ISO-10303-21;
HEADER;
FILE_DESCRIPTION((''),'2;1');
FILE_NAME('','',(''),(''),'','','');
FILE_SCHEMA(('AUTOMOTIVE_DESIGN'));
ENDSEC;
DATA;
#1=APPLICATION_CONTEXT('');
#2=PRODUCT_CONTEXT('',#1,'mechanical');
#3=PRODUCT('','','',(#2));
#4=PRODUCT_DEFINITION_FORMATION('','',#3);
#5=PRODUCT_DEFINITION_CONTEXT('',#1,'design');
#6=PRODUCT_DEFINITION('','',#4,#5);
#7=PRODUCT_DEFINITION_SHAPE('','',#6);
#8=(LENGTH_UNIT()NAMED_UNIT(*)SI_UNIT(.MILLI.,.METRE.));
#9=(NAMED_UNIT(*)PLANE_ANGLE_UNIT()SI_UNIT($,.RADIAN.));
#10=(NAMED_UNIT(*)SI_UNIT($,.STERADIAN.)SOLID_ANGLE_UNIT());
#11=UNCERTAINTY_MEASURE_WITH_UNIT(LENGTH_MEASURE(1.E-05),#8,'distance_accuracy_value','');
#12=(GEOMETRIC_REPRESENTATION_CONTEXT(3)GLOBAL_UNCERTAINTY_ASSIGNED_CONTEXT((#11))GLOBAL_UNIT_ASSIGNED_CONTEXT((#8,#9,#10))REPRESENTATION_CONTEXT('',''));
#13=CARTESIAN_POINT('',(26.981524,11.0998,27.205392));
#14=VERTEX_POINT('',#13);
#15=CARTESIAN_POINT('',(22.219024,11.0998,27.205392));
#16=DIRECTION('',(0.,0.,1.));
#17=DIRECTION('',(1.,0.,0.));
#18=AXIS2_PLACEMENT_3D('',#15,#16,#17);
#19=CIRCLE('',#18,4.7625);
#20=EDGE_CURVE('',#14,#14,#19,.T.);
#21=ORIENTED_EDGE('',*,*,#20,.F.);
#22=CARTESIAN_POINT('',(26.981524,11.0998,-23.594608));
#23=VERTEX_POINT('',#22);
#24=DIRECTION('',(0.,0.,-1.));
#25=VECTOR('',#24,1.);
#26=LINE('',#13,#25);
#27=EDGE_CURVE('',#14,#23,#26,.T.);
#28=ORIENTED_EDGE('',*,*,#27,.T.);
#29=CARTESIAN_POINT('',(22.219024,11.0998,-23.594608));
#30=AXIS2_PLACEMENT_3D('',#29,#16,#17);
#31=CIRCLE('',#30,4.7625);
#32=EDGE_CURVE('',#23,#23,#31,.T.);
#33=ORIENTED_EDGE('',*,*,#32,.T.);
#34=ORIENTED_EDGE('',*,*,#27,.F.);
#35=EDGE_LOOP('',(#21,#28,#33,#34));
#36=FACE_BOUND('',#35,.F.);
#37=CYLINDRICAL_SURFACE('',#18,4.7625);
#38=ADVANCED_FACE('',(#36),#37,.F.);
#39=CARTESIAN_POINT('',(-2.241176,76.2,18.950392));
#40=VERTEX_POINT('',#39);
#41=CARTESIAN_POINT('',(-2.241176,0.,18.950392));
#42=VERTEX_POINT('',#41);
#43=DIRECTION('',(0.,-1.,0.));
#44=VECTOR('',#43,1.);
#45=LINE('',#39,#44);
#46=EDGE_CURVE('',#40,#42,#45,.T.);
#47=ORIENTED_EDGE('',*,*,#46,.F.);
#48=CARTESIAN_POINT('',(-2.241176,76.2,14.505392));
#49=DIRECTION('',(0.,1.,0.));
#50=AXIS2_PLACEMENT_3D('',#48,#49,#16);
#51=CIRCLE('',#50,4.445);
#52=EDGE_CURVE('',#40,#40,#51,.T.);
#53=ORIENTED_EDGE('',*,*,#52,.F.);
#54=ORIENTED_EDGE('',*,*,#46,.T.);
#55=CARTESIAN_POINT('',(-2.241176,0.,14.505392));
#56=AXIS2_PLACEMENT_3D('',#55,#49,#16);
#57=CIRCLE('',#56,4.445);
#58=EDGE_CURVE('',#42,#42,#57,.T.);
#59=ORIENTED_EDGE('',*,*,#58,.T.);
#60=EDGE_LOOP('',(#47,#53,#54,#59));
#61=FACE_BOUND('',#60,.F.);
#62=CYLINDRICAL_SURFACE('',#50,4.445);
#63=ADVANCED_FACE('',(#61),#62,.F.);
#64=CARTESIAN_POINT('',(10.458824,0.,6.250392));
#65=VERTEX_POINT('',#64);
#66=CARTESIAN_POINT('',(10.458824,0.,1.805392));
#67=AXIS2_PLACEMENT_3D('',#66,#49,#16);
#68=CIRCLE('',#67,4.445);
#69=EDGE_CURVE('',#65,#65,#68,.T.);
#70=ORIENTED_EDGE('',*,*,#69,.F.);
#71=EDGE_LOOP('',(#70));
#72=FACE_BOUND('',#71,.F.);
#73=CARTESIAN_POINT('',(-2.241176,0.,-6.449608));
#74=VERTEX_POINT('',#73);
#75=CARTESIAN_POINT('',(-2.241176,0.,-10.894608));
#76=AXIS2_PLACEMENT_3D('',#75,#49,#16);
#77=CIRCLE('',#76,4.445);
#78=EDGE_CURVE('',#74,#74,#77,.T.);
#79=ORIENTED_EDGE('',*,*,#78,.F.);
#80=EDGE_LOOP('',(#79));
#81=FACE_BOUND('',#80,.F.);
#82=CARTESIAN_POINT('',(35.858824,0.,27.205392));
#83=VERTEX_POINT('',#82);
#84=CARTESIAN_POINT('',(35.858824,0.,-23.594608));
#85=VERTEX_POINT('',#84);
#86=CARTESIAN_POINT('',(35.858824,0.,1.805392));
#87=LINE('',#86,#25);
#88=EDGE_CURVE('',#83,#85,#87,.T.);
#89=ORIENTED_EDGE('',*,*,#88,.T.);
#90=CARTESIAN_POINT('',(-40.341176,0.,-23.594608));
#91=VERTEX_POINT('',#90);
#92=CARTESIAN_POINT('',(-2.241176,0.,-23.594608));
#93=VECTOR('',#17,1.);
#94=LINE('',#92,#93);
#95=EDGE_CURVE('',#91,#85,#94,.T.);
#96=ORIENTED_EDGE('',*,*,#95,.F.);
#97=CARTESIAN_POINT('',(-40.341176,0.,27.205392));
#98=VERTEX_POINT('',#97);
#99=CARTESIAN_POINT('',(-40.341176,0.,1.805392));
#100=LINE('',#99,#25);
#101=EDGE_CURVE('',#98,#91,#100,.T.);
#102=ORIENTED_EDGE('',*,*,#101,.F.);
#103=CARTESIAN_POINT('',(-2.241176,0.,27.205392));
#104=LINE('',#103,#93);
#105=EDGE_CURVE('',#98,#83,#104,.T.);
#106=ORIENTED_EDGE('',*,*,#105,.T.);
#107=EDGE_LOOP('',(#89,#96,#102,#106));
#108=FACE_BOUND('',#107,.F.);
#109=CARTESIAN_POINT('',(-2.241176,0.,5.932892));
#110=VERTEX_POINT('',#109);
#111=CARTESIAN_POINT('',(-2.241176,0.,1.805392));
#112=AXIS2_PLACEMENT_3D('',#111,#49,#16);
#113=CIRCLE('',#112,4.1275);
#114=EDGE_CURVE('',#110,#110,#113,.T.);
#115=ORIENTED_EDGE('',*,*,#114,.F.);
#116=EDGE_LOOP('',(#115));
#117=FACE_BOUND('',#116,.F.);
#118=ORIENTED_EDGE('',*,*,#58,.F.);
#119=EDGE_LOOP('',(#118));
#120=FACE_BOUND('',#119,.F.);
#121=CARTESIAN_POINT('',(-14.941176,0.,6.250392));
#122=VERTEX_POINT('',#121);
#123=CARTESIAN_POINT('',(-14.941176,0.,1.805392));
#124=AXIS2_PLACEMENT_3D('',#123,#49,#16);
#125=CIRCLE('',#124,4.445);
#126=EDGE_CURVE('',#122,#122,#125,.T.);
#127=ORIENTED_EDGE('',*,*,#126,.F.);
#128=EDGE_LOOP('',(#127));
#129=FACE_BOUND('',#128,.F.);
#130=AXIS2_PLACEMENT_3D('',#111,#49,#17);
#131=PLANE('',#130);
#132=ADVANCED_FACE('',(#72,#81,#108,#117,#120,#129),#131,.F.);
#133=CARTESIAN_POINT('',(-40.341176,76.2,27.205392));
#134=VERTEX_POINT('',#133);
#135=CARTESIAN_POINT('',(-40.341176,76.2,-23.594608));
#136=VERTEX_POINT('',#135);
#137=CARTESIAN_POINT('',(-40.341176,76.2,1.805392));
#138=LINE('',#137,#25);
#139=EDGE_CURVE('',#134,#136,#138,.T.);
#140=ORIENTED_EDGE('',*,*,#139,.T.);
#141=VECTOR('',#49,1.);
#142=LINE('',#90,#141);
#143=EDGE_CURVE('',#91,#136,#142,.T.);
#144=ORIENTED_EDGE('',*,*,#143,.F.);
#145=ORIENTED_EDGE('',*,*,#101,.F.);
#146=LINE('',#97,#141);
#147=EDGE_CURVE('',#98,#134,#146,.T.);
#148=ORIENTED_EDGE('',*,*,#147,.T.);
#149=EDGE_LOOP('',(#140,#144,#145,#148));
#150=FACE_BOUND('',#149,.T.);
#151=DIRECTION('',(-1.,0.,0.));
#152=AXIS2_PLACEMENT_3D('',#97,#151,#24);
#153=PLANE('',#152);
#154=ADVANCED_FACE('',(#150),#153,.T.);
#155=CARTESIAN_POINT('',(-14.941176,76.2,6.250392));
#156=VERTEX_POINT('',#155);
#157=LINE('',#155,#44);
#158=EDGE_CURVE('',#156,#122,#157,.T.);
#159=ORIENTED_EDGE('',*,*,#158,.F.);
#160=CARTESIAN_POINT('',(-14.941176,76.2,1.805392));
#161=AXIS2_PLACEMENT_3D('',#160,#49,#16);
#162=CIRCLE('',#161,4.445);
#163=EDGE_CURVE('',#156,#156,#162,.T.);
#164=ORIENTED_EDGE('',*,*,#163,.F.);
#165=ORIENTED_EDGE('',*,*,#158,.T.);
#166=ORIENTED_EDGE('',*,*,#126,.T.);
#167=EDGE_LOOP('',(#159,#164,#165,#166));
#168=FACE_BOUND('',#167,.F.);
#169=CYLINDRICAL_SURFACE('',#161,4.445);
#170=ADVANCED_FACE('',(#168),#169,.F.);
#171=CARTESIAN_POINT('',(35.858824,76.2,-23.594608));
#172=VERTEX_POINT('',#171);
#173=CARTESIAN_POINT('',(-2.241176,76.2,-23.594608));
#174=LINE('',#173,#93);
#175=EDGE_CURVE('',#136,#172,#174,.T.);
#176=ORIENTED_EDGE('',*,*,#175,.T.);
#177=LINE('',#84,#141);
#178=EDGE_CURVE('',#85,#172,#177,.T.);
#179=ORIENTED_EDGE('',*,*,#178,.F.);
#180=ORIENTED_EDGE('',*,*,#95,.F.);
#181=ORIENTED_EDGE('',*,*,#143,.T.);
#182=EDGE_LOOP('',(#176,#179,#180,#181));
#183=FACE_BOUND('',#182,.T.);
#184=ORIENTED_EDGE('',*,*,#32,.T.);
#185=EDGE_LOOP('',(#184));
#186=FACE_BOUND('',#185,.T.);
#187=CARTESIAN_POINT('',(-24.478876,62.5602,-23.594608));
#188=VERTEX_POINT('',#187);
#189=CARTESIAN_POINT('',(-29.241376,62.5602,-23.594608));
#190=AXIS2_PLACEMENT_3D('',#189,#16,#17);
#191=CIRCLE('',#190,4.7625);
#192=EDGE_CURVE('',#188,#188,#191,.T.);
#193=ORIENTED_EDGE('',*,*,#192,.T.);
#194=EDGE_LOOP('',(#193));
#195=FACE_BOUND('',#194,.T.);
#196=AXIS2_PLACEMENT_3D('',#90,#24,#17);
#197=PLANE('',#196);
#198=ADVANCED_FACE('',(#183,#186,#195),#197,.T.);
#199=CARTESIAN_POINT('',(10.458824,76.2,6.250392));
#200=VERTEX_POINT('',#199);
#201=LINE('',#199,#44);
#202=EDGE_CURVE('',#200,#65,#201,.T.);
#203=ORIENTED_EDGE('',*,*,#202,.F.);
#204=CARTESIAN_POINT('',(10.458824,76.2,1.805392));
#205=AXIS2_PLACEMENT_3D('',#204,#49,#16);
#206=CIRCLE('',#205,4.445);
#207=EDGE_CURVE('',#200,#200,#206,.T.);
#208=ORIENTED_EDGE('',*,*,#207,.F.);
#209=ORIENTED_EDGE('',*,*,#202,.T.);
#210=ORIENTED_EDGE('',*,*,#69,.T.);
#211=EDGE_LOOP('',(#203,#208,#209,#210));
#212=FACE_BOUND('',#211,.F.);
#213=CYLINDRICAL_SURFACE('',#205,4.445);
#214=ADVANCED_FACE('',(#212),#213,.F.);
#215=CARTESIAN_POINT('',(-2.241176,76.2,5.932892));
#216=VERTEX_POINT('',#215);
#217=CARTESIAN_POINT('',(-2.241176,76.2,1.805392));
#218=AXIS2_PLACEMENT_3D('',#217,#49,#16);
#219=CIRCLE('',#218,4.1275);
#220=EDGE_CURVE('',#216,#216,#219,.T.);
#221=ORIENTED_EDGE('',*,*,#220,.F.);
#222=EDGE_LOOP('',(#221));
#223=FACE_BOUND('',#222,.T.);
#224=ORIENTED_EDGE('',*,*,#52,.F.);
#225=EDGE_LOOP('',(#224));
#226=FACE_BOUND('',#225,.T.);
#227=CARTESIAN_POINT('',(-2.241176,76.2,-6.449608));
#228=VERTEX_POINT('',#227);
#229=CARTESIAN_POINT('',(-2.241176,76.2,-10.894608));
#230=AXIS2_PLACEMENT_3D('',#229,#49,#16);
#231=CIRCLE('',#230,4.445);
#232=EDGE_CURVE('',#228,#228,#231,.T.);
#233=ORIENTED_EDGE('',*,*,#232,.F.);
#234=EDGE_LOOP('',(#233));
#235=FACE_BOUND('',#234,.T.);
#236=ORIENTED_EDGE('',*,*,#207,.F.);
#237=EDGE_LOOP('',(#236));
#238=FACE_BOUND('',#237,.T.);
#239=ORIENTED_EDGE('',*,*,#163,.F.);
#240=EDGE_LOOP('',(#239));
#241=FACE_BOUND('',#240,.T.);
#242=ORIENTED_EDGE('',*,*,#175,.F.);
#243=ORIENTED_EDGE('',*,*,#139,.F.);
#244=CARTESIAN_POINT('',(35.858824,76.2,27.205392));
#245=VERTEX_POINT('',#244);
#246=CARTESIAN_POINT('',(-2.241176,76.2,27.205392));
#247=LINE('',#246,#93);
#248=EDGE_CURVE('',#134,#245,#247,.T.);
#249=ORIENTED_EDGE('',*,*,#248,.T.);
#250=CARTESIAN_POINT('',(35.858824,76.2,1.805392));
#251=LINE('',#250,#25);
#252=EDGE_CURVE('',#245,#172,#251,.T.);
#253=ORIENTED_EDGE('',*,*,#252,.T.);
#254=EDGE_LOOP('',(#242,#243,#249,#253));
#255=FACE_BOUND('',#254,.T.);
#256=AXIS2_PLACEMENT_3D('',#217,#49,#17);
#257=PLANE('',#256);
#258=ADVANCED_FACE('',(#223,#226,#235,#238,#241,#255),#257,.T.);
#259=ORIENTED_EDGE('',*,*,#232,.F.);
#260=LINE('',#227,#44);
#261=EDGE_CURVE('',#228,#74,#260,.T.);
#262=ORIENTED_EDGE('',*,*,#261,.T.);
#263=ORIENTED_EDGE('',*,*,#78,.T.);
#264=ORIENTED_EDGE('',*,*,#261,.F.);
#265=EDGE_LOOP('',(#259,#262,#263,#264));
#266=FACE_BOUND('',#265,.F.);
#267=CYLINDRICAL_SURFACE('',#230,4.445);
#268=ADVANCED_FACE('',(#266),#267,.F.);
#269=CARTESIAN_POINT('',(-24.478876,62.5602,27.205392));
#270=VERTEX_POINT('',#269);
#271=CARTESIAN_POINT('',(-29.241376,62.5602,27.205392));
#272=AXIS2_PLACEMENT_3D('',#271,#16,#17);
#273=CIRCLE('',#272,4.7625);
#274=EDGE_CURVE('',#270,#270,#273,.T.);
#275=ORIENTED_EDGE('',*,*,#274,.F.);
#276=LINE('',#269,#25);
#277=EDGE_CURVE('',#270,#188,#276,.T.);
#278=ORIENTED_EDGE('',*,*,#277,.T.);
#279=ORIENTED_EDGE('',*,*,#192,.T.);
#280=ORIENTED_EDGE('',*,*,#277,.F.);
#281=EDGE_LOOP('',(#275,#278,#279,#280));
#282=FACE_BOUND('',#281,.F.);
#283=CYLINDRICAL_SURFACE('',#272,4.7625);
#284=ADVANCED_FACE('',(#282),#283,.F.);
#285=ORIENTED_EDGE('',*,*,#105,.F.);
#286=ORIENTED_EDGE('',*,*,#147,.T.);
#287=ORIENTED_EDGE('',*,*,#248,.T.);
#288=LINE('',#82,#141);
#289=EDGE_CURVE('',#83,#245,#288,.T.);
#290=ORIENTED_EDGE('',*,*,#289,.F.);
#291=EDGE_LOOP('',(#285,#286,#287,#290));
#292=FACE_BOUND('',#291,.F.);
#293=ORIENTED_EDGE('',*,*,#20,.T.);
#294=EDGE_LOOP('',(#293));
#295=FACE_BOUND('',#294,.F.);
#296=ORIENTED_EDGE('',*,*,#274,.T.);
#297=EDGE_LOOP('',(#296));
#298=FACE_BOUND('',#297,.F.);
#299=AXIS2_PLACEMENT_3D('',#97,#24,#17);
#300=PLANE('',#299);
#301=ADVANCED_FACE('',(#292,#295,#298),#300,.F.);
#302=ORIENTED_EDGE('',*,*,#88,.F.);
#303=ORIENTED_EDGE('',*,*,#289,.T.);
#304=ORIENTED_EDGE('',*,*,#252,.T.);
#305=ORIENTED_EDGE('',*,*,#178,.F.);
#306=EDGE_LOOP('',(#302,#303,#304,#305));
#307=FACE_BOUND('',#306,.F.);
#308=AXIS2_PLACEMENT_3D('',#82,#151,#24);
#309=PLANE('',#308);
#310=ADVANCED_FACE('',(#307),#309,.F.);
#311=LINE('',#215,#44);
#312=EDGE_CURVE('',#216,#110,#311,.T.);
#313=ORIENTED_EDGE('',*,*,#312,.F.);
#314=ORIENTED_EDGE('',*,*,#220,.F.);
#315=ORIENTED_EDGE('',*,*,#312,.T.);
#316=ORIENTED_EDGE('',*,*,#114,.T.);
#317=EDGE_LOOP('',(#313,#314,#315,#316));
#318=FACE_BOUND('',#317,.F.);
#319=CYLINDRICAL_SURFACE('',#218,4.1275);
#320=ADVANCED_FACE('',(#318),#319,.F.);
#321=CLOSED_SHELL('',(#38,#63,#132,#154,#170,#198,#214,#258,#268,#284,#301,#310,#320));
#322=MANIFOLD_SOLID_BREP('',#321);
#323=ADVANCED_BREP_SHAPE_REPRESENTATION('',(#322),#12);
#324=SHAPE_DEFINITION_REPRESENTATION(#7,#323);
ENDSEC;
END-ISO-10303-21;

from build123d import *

# Parameters (mm, degrees)
SKETCH3_W           = 76.2
SKETCH3_H           = 50.8
BOSS_EXTRUDE1_DEPTH = 76.2
SKETCH5_R           = 4.1275
CUT_EXTRUDE1_DEPTH  = 76.2
SKETCH6_R           = 4.445
CUT_EXTRUDE2_DEPTH  = 76.2
SKETCH8_R           = 4.445
CUT_EXTRUDE4_DEPTH  = 76.2
SKETCH9_R           = 4.445
CUT_EXTRUDE5_DEPTH  = 76.2
SKETCH10_R          = 4.445
CUT_EXTRUDE6_DEPTH  = 76.2
SKETCH12_R          = 4.7625
CUT_EXTRUDE7_DEPTH  = 76.2
SKETCH13_R          = 4.7625
CUT_EXTRUDE8_DEPTH  = 76.2


with BuildPart() as part:
    # Sketch3 → Boss-Extrude1 (new body)
    with BuildSketch(Plane(origin=(0, 0, 0), x_dir=(1, 0, 0), z_dir=(0, 1, 0))):
        with Locations((-2.241176471, -1.805392157)):
            Rectangle(SKETCH3_W, SKETCH3_H)
    extrude(amount=BOSS_EXTRUDE1_DEPTH)

    # Sketch5 → Cut-Extrude1 (cut)
    with BuildSketch(Plane(origin=(0, 76.2, 0), x_dir=(1, 0, 0), z_dir=(0, 1, 0))):
        with Locations(Location((-2.241176471, -1.805392157, 0), (0, 0, 270))):
            Circle(SKETCH5_R)
    extrude(amount=-CUT_EXTRUDE1_DEPTH, mode=Mode.SUBTRACT)

    # Sketch6 → Cut-Extrude2 (cut)
    with BuildSketch(Plane(origin=(0, 76.2, 0), x_dir=(1, 0, 0), z_dir=(0, 1, 0))):
        with Locations(Location((-14.941176471, -1.805392157, 0), (0, 0, 270))):
            Circle(SKETCH6_R)
    extrude(amount=-CUT_EXTRUDE2_DEPTH, mode=Mode.SUBTRACT)

    # Sketch8 → Cut-Extrude4 (cut)
    with BuildSketch(Plane(origin=(0, 76.2, 0), x_dir=(1, 0, 0), z_dir=(0, 1, 0))):
        with Locations(Location((10.458823529, -1.805392157, 0), (0, 0, 270))):
            Circle(SKETCH8_R)
    extrude(amount=-CUT_EXTRUDE4_DEPTH, mode=Mode.SUBTRACT)

    # Sketch9 → Cut-Extrude5 (cut)
    with BuildSketch(Plane(origin=(0, 76.2, 0), x_dir=(1, 0, 0), z_dir=(0, 1, 0))):
        with Locations(Location((-2.241176471, -14.505392157, 0), (0, 0, 270))):
            Circle(SKETCH9_R)
    extrude(amount=-CUT_EXTRUDE5_DEPTH, mode=Mode.SUBTRACT)

    # Sketch10 → Cut-Extrude6 (cut)
    with BuildSketch(Plane(origin=(0, 76.2, 0), x_dir=(1, 0, 0), z_dir=(0, 1, 0))):
        with Locations(Location((-2.241176471, 10.894607843, 0), (0, 0, 270))):
            Circle(SKETCH10_R)
    extrude(amount=-CUT_EXTRUDE6_DEPTH, mode=Mode.SUBTRACT)

    # Sketch12 → Cut-Extrude7 (cut)
    with BuildSketch(Plane.XY.offset(27.205392157)):
        with Locations((-29.241376471, 62.5602)):
            Circle(SKETCH12_R)
    extrude(amount=-CUT_EXTRUDE7_DEPTH, mode=Mode.SUBTRACT)

    # Sketch13 → Cut-Extrude8 (cut)
    with BuildSketch(Plane.XY.offset(27.205392157)):
        with Locations((22.219023529, 11.0998)):
            Circle(SKETCH13_R)
    extrude(amount=-CUT_EXTRUDE8_DEPTH, mode=Mode.SUBTRACT)


solid = part.part
